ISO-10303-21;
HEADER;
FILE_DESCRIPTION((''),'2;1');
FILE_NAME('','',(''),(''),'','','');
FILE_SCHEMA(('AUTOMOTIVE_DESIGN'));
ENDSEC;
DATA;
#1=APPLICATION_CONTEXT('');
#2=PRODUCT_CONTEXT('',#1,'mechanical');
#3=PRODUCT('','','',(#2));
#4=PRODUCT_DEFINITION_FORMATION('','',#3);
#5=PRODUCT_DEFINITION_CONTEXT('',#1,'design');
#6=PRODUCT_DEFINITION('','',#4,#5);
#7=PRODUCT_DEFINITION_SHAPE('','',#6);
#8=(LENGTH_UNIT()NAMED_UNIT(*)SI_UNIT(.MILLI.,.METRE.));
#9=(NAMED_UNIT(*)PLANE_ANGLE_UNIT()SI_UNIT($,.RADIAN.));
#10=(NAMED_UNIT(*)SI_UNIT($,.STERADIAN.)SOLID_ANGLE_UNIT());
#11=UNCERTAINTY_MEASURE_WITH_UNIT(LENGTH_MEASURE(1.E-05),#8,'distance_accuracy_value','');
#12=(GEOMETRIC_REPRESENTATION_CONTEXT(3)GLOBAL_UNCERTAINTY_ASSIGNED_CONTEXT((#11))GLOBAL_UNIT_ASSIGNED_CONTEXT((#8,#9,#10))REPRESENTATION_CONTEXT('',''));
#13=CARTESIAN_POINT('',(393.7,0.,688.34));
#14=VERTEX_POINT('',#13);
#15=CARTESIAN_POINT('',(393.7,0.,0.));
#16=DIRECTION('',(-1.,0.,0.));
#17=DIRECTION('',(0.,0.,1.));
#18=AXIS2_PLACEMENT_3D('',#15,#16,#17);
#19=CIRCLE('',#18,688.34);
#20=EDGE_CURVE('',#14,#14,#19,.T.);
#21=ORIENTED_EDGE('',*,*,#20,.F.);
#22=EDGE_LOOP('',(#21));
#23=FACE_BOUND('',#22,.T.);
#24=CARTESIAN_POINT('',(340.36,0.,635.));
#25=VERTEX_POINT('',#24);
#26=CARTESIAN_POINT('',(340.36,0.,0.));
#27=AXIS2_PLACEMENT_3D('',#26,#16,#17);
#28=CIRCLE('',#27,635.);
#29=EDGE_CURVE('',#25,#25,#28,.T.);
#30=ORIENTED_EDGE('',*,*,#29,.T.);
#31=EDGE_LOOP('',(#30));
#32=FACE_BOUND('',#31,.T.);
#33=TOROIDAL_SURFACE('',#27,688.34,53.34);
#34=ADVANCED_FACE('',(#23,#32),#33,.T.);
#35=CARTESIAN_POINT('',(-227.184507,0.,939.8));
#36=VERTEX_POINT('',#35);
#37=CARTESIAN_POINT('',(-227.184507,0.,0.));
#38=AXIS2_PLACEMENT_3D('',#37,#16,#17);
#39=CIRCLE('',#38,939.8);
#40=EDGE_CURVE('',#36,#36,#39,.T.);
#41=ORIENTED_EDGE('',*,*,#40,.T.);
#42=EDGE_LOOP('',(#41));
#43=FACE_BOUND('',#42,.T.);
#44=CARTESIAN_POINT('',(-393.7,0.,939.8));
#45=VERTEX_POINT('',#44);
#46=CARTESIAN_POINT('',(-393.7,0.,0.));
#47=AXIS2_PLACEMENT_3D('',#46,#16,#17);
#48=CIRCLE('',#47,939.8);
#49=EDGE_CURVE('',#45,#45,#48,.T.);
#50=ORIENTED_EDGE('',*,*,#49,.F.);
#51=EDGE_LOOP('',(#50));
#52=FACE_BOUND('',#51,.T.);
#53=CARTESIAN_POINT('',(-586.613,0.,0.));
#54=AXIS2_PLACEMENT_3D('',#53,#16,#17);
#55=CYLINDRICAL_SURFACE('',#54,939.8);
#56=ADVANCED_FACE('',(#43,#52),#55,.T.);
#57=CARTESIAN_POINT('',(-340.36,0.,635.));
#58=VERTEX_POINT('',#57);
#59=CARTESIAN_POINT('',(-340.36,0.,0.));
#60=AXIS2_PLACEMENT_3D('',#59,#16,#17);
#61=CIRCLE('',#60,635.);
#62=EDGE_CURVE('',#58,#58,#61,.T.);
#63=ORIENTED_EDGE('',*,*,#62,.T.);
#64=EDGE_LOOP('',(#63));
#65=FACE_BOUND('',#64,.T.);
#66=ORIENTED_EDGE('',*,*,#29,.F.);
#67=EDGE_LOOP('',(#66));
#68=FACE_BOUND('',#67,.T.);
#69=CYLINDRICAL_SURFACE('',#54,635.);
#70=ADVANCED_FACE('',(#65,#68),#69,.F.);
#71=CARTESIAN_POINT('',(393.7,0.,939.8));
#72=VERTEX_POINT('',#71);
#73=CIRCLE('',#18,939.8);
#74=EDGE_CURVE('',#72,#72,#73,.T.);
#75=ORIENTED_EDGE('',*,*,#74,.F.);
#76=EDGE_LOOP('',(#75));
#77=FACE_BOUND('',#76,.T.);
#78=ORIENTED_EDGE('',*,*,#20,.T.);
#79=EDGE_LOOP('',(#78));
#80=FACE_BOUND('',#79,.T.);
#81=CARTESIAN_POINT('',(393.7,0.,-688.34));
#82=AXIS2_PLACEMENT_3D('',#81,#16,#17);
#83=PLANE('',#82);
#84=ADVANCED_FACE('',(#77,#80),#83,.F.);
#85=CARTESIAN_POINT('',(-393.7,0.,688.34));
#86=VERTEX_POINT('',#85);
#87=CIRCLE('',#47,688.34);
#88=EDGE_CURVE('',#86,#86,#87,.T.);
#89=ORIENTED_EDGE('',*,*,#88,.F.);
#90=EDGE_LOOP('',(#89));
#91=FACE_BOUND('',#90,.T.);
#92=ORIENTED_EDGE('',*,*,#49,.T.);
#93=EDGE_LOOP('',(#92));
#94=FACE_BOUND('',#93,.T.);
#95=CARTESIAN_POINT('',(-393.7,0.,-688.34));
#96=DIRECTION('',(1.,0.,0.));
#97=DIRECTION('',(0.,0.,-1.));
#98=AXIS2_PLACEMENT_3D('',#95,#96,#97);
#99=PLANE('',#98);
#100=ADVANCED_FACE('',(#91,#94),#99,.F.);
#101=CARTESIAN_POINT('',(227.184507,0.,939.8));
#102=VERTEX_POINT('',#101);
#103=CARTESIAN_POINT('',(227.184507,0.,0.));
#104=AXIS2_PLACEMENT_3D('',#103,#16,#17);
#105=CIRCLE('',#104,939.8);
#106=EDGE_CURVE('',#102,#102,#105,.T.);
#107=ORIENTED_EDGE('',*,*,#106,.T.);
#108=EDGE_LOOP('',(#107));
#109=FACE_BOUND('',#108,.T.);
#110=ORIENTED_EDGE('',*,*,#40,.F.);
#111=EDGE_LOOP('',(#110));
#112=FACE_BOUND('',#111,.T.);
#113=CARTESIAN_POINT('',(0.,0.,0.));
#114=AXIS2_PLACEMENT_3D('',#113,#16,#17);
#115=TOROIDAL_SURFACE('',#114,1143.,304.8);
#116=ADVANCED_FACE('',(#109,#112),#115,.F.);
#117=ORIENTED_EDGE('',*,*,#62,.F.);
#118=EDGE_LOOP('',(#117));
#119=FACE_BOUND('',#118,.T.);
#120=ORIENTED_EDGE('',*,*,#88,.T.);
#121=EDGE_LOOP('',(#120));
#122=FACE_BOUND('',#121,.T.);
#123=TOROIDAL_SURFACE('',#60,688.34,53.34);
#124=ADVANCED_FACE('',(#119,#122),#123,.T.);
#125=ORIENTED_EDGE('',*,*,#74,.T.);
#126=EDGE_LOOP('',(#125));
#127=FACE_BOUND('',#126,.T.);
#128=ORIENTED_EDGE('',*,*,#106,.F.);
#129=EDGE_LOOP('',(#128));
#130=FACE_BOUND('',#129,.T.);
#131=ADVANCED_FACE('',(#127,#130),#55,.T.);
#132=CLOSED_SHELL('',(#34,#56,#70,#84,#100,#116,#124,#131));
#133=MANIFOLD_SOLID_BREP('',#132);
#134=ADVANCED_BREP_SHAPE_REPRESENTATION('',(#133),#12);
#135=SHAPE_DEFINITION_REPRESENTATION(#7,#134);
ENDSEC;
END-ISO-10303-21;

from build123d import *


with BuildPart() as part:
    # Sketch2 → Revolve1 (revolve)
    with BuildSketch(Plane(origin=(0, 0, 0), x_dir=(1, 0, 0), z_dir=(0, 1, 0))):
        with BuildLine():
            Line((-340.36, 635), (340.36, 635))
            ThreePointArc((340.36, 635), (378.077075708, 650.622924292), (393.7, 688.34))
            Line((393.7, 688.34), (393.7, 939.8))
            Line((393.7, 939.8), (227.184506514, 939.8))
            ThreePointArc((227.184506514, 939.8), (0, 838.2), (-227.184506514, 939.8))
            Line((-227.184506514, 939.8), (-393.7, 939.8))
            Line((-393.7, 939.8), (-393.7, 688.34))
            ThreePointArc((-393.7, 688.34), (-378.077075708, 650.622924292), (-340.36, 635))
        make_face()
    revolve(axis=Axis((-586.613, 0, 0), (1, 0, 0)))


solid = part.part
